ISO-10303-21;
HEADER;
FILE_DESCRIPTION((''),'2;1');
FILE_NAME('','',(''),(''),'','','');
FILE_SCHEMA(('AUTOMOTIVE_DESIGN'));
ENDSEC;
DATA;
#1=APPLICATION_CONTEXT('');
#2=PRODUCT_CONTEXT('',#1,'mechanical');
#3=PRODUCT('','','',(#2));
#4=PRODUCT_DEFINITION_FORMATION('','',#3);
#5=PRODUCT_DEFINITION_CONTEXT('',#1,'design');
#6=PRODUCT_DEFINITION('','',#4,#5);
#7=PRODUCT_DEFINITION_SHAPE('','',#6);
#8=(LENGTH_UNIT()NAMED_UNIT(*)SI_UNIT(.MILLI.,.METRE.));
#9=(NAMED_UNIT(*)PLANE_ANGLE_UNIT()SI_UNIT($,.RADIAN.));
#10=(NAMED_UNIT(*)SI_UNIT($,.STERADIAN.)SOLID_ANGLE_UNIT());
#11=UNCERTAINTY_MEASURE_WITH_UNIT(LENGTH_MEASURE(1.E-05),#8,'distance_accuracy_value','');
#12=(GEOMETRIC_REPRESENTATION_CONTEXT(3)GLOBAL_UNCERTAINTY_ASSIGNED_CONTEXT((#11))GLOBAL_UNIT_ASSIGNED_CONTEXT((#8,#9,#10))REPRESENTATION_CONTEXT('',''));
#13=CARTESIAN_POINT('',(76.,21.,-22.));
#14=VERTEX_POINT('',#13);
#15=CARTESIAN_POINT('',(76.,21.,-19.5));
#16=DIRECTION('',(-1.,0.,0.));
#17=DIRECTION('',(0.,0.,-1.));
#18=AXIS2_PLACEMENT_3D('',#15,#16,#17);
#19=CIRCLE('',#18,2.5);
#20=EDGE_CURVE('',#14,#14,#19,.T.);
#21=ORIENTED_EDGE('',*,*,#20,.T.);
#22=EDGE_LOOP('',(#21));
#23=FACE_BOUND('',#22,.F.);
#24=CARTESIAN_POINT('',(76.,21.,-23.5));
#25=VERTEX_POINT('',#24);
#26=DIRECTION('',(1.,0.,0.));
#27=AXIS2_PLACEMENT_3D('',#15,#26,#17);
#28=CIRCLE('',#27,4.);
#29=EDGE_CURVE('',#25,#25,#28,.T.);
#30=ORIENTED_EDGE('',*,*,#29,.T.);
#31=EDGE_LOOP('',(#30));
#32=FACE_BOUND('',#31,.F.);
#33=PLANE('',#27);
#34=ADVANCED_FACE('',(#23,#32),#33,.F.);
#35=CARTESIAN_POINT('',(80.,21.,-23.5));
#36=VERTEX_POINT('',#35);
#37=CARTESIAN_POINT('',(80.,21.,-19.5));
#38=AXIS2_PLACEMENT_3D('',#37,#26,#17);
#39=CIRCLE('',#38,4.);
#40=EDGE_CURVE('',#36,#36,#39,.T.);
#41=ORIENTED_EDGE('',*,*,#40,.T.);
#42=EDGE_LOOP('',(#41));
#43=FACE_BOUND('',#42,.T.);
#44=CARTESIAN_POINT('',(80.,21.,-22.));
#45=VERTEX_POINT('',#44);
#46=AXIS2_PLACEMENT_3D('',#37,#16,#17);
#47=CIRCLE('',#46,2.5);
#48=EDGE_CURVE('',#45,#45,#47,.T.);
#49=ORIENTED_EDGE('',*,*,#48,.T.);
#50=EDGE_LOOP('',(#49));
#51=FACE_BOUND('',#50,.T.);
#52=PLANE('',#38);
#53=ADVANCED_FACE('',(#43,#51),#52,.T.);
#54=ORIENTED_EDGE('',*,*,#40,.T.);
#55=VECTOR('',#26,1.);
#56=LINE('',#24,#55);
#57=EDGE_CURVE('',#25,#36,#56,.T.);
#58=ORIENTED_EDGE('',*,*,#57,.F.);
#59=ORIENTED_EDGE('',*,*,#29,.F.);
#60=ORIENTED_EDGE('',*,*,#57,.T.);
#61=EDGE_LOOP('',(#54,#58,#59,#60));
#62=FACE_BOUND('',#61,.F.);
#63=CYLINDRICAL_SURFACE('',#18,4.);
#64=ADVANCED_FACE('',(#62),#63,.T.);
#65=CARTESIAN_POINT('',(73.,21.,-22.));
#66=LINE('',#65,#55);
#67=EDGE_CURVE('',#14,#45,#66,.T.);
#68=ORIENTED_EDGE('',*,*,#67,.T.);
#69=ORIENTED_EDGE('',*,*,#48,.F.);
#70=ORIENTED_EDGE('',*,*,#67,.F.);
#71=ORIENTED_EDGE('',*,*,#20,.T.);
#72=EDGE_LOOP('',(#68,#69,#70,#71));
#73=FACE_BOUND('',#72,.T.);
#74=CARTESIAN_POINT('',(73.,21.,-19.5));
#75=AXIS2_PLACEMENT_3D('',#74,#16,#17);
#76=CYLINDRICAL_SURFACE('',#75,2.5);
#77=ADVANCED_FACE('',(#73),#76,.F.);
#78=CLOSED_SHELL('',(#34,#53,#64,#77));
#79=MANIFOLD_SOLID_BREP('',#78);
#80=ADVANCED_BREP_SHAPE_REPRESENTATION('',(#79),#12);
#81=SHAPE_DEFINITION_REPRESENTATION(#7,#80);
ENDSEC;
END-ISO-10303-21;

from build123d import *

# Parameters (mm, degrees)
CYLINDER016_R     = 2.5
CYLINDER016_DEPTH = 10
CYLINDER017_R     = 4
CYLINDER017_DEPTH = 4


with BuildPart() as cylinder004:
    # Cylinder016 → Cylinder016 (new body)
    with BuildSketch(Plane(origin=(23.5, -39, -22), x_dir=(0, 0, -1), z_dir=(1, 0, 0))):
        Circle(CYLINDER016_R)
    extrude(amount=CYLINDER016_DEPTH)


with BuildPart() as bricksup003:
    # Cylinder017 → Cylinder017 (new body)
    with BuildSketch(Plane(origin=(26.5, -39, -22), x_dir=(0, 0, -1), z_dir=(1, 0, 0))):
        Circle(CYLINDER017_R)
    extrude(amount=CYLINDER017_DEPTH)

    # Cut009: cut Cylinder004
    add(cylinder004.part, mode=Mode.SUBTRACT)


with BuildPart() as bricksup003_1:
    # Cut009 placement: moved
    add(bricksup003.part.moved(Location((49.5, 60, 2.5))))


solid = bricksup003_1.part
